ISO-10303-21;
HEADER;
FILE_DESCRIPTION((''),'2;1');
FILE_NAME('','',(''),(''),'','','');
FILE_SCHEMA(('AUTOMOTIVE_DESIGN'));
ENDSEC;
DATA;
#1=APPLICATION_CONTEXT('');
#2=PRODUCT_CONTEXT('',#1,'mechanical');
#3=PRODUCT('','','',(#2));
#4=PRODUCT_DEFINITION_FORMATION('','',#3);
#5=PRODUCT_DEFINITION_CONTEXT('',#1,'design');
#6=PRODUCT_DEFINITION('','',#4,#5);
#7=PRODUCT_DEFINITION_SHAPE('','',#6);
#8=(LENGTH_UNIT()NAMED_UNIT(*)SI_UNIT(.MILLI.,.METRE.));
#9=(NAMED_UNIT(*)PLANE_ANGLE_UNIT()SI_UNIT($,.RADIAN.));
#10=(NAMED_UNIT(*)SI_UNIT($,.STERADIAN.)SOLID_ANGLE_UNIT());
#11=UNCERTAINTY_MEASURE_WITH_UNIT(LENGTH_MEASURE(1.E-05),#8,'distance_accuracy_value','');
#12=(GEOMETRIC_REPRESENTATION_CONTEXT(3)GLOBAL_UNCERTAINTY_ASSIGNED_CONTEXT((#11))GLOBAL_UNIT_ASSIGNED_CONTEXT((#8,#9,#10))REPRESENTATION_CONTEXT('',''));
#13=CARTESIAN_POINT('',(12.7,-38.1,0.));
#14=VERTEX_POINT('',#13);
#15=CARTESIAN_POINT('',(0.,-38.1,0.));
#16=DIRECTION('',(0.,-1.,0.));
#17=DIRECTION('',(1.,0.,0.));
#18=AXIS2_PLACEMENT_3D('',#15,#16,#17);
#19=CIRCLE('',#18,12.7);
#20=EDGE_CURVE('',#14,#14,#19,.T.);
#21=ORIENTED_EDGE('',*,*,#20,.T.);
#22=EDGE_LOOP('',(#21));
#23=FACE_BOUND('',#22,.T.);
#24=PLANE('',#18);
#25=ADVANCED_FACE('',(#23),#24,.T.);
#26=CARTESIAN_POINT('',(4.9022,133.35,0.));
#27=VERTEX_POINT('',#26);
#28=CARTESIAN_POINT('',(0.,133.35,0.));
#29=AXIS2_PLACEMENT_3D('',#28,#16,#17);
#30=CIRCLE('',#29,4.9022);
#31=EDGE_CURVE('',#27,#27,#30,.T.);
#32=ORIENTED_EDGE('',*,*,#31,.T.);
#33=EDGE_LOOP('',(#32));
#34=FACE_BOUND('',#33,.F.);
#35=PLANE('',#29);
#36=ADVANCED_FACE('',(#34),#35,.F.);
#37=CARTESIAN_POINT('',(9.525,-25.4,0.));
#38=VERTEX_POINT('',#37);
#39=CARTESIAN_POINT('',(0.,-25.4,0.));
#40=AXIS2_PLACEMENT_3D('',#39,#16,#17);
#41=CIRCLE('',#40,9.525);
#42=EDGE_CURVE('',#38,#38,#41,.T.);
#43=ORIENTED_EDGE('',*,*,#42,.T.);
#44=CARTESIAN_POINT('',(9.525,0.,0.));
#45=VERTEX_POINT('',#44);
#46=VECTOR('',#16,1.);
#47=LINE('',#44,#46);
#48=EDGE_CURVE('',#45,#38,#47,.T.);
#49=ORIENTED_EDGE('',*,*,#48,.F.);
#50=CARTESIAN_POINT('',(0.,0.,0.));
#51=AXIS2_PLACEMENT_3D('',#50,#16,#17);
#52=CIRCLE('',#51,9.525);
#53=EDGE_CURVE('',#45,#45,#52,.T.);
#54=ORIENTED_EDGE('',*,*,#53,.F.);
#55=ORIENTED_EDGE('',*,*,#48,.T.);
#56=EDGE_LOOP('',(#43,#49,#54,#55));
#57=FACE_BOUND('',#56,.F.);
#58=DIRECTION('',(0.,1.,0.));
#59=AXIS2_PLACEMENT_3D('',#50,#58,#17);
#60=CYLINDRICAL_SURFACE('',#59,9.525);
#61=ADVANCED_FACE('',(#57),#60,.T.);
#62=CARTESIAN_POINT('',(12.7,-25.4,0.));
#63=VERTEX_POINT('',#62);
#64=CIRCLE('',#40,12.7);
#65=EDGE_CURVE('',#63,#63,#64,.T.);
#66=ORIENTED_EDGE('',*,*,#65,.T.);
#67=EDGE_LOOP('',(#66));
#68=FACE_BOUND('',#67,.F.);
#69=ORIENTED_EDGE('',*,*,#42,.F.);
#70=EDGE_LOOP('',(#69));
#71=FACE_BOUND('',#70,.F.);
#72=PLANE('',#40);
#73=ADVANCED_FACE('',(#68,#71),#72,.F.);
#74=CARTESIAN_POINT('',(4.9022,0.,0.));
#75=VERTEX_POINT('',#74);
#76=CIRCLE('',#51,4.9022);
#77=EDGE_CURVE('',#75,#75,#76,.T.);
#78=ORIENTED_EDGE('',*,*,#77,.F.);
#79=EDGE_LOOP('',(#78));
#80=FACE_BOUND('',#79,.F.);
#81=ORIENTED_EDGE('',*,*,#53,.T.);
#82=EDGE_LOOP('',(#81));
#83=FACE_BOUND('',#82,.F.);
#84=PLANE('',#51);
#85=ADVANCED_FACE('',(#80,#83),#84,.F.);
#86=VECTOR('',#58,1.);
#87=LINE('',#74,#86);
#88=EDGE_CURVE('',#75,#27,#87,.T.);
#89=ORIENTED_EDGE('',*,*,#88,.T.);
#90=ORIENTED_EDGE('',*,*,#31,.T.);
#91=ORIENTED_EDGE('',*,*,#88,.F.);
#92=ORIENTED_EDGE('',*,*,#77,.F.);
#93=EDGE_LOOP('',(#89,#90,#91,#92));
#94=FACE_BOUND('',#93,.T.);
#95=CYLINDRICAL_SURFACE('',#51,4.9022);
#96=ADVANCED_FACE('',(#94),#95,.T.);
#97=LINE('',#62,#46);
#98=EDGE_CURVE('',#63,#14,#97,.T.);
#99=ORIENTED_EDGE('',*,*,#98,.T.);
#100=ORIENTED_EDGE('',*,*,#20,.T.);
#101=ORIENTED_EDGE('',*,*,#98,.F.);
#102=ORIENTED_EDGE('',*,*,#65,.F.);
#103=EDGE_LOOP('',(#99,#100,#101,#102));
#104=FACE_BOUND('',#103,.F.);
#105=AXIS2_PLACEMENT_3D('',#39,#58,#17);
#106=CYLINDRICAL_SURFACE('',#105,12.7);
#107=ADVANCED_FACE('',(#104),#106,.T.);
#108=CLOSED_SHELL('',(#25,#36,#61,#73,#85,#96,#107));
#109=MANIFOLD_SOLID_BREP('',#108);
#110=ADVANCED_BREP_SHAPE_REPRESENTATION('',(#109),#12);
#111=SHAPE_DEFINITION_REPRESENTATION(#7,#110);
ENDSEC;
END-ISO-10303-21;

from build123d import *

# Parameters (mm, degrees)
F0_R     = 4.9022
F1_DEPTH = 133.35
F2_R     = 9.525
F3_DEPTH = 25.4
F4_R     = 12.7
F5_DEPTH = 12.7


with BuildPart() as f1:
    # F0 (on Front) → F1 (new body)
    with BuildSketch(Plane.XZ):
        Circle(F0_R)
    extrude(amount=-F1_DEPTH)

    # F2 (on Front) → F3 (join)
    with BuildSketch(Plane.XZ):
        Circle(F2_R)
    extrude(amount=F3_DEPTH)

    # F4 (on face) → F5 (join)
    with BuildSketch(Plane.XZ.offset(25.4)):
        Circle(F4_R)
    extrude(amount=F5_DEPTH)


solid = f1.part
